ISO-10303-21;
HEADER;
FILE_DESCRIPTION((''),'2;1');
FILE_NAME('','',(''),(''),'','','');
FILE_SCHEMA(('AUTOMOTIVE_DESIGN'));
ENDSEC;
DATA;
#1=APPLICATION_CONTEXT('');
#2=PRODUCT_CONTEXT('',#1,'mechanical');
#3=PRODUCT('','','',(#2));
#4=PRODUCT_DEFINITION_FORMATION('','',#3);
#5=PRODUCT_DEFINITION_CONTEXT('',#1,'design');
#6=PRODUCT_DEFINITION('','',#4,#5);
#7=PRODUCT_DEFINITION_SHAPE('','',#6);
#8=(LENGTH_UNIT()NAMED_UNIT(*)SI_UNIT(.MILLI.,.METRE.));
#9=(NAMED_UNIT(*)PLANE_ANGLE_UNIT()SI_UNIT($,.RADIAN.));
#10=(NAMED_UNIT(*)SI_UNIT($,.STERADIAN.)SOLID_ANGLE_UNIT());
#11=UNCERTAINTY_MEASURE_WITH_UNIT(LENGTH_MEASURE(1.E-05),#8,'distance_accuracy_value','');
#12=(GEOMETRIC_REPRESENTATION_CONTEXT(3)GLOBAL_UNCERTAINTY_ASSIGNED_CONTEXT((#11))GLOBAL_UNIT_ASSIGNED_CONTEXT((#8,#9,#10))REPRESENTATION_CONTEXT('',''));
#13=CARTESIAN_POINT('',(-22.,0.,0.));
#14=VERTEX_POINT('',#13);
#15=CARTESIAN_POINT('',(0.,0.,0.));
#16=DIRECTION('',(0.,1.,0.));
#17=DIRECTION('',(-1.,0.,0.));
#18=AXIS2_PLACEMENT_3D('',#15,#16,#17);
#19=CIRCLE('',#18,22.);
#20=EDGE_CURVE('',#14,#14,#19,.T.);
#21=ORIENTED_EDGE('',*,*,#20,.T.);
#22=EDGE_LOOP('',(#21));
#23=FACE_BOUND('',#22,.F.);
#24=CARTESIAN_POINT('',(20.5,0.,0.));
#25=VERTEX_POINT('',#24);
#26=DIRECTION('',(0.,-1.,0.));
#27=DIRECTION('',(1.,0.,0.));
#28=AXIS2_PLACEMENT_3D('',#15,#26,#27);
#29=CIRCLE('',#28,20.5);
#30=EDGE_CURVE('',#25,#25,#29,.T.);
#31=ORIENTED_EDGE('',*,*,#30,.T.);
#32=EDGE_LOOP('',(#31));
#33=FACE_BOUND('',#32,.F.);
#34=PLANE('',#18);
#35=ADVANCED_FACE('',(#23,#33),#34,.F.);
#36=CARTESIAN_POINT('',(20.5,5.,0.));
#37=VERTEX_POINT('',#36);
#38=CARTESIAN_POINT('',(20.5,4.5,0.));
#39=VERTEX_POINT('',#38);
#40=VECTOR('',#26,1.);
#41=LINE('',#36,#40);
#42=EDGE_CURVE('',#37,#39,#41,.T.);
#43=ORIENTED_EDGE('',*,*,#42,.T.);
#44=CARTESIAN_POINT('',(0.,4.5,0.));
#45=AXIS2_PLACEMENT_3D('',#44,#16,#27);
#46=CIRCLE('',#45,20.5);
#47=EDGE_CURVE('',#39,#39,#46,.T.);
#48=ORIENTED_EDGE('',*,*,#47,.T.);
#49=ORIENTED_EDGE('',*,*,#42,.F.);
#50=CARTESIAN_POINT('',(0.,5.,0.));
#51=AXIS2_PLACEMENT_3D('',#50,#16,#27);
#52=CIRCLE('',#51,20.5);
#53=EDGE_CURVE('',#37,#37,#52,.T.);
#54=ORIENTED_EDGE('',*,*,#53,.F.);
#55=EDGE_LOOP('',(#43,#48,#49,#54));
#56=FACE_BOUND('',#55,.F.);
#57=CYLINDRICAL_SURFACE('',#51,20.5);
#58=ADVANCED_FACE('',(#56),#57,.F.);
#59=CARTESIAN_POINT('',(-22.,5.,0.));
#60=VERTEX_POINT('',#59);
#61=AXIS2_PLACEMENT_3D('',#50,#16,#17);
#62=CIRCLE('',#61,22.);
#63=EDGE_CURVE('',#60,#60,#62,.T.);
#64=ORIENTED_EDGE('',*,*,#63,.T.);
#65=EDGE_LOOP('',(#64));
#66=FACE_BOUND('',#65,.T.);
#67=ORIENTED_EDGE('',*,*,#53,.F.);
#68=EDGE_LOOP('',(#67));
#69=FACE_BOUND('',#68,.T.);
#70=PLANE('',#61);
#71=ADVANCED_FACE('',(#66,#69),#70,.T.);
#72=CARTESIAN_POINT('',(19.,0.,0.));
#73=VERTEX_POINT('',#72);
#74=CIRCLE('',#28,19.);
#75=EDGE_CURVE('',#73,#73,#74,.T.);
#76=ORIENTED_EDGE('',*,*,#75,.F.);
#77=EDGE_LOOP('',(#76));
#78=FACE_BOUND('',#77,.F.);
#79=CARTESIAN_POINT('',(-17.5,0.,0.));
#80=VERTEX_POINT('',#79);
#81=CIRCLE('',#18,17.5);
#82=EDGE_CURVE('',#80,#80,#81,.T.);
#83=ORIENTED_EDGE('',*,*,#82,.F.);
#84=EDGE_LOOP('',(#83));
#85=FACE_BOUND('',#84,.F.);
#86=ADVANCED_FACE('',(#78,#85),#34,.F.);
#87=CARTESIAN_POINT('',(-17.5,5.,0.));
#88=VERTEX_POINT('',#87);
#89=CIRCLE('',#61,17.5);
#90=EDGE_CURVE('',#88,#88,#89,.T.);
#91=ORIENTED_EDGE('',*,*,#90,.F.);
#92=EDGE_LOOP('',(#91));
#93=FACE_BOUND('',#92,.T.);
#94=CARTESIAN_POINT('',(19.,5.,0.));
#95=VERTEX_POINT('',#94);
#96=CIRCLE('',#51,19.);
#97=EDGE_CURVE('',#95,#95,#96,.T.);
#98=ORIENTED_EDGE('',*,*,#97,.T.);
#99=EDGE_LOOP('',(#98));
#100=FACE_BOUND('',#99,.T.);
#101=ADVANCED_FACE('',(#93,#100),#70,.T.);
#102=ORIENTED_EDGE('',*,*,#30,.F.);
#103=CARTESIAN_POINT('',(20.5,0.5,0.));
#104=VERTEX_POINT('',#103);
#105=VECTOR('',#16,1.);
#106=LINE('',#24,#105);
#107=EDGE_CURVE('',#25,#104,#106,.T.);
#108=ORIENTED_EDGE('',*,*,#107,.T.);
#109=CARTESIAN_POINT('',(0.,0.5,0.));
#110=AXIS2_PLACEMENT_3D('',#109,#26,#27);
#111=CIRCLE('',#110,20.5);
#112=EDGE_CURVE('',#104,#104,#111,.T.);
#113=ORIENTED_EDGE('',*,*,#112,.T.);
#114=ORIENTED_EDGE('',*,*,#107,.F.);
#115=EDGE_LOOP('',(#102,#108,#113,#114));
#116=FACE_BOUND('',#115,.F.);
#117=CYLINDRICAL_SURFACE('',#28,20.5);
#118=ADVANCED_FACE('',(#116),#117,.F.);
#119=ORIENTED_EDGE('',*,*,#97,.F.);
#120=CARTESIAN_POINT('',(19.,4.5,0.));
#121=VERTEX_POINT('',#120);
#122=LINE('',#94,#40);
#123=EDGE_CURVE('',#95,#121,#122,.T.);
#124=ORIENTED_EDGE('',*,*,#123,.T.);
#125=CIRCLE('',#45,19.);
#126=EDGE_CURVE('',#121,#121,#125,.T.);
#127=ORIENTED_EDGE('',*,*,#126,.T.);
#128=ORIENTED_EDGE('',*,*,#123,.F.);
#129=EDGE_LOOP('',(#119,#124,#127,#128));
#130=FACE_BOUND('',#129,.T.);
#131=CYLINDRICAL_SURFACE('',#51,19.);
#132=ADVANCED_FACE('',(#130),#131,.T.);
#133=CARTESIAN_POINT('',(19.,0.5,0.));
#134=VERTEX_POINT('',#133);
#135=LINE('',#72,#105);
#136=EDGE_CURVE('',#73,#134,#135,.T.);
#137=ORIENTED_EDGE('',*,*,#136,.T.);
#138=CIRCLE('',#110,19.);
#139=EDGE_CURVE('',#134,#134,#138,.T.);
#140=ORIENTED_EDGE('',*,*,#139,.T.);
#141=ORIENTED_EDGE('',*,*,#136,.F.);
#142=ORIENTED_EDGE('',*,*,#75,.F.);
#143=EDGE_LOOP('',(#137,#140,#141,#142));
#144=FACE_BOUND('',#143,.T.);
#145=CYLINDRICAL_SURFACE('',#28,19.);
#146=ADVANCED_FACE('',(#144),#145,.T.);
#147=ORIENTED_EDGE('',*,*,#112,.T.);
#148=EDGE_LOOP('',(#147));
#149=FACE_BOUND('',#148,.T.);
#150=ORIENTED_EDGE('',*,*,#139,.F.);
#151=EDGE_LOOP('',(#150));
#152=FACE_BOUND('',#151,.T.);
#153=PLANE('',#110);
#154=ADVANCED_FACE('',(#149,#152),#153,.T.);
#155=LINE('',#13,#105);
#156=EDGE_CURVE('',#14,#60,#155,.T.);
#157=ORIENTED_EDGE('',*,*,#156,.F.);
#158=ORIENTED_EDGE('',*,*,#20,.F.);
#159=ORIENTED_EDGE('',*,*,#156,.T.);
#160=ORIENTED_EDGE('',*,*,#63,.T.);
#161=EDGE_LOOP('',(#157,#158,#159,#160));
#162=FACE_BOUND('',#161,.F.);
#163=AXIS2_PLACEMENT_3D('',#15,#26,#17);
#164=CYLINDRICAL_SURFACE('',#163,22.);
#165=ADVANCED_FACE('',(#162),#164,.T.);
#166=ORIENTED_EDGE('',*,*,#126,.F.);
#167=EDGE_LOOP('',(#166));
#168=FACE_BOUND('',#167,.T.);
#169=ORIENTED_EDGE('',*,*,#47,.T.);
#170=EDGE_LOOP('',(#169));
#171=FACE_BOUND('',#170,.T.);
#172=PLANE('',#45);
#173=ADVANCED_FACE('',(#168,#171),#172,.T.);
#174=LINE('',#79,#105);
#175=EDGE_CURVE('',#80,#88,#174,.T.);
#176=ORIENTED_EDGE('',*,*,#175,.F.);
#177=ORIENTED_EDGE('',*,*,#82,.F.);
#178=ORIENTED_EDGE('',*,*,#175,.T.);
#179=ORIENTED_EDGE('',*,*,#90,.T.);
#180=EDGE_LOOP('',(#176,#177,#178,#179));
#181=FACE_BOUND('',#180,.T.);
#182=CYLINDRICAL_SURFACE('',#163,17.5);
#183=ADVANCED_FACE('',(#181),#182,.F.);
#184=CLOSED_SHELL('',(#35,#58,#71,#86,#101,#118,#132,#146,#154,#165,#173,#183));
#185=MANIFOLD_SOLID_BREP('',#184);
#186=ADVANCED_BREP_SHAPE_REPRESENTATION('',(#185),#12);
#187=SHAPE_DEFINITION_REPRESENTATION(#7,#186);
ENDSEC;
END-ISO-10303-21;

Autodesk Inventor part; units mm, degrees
ref_plane "YZ Plane" through (0, 0, 0) normal (1, 0, 0) x (0, 1, 0)
ref_plane "XZ Plane" through (0, 0, 0) normal (0, 1, 0) x (-1, 0, 0)
ref_plane "XY Plane" through (0, 0, 0) normal (0, 0, 1) x (1, 0, 0)
sketch "Sketch1" plane through (0, 0, 0) normal (0, 1, 0) x (-1, 0, 0)
  circle A0 centre (0, 0) radius 17.5
  circle A1 centre (0, 0) radius 22
  dimension "d0" = 35
  dimension "d1" = 44
extrude "Extrusion1" add sketch "Sketch1" along normal blind 5
sketch "Sketch2" plane through (0, 5, 0) normal (0, 1, 0) x (1, 0, 0)
  circle A0 centre (0, 0) radius 22 projected
  circle A1 centre (0, 0) radius 17.5 projected
  circle A2 centre (0, 0) radius 19
  circle A3 centre (0, 0) radius 20.5
  dimension "d4" = 38
  dimension "d5" = 41
extrude "Extrusion2" cut sketch "Sketch2" against normal blind 0.5 contours A3
sketch "Sketch3" plane through (0, 0, 0) normal (0, -1, 0) x (1, 0, 0)
  circle A0 centre (0, 0) radius 19 projected
  circle A1 centre (0, 0) radius 20.5 projected
extrude "Extrusion3" cut sketch "Sketch3" against normal blind 0.5
properties part number "bearing_35_44_5" material "Stainless Steel"
